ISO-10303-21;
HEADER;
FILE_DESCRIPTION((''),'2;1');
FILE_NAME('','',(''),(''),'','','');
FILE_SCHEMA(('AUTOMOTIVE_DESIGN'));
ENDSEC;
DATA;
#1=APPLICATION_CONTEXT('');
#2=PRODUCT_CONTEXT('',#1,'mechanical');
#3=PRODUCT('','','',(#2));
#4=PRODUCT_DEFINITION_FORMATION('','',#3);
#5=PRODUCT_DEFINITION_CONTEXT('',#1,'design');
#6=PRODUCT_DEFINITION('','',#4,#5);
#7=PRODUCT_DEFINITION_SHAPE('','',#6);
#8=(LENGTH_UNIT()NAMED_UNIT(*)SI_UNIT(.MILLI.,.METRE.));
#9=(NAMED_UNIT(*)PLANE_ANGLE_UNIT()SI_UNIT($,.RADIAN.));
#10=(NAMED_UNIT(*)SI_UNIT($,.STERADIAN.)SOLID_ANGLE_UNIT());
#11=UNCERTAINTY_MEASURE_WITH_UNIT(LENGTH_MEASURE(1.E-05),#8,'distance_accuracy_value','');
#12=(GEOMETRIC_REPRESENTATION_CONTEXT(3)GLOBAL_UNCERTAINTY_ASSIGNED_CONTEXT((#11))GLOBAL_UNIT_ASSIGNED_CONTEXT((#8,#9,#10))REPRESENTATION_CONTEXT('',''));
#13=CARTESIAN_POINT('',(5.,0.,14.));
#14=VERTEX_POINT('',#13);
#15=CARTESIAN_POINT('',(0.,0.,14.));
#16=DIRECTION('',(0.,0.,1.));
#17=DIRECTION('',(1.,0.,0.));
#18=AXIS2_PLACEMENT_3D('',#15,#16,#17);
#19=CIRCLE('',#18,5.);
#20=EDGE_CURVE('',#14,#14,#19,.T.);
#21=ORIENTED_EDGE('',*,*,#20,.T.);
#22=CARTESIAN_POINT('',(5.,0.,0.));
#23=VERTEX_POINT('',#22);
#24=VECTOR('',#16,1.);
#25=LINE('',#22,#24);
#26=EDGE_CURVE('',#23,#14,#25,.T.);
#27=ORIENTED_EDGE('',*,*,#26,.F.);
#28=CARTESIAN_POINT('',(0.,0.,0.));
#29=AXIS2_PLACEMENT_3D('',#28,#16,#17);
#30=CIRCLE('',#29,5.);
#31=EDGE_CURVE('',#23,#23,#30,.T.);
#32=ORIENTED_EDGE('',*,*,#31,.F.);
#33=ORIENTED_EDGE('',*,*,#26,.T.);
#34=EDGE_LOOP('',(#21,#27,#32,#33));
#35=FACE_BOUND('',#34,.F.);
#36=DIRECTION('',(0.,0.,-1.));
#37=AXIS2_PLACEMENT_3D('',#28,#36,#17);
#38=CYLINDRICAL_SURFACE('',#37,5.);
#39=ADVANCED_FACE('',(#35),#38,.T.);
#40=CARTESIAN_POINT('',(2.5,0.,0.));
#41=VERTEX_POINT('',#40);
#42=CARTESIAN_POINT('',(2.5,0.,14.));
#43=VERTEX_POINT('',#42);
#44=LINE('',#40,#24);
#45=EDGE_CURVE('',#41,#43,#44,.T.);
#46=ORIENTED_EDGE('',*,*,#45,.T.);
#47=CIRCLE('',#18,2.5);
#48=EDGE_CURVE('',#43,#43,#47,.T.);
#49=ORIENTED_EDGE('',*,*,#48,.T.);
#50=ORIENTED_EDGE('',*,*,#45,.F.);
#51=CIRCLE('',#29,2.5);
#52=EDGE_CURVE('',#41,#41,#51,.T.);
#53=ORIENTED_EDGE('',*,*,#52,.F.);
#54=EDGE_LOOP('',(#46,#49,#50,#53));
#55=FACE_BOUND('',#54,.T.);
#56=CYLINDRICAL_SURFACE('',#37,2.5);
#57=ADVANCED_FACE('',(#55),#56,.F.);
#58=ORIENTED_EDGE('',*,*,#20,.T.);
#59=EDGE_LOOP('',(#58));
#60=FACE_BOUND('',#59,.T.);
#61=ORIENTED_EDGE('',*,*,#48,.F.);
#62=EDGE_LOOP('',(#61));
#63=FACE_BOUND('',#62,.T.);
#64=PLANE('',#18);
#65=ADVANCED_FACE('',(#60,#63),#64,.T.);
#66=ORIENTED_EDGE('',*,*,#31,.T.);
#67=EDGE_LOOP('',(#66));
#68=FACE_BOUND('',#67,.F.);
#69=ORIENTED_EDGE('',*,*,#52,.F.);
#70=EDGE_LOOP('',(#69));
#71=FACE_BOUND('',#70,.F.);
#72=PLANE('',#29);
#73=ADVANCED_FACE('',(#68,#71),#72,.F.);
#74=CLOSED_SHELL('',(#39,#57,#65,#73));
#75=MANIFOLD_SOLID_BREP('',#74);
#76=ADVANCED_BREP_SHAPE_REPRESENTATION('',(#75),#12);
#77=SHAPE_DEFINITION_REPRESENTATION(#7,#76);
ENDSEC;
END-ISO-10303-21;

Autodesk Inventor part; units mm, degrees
ref_plane "YZ Plane" through (0, 0, 0) normal (1, 0, 0) x (0, 1, 0)
ref_plane "XZ Plane" through (0, 0, 0) normal (0, 1, 0) x (-1, 0, 0)
ref_plane "XY Plane" through (0, 0, 0) normal (0, 0, 1) x (1, 0, 0)
sketch "スケッチ1" plane through (0, 0, 0) normal (0, 0, 1) x (1, 0, 0)
  circle A0 centre (0, 0) radius 5
  circle A1 centre (0, 0) radius 2.5
  dimension "d0" = 10
  dimension "d1" = 5
extrude "押し出し1" add sketch "スケッチ1" along normal blind 14
properties part number "スペーサー自作m5,14" material "アルミニウム 7075"
